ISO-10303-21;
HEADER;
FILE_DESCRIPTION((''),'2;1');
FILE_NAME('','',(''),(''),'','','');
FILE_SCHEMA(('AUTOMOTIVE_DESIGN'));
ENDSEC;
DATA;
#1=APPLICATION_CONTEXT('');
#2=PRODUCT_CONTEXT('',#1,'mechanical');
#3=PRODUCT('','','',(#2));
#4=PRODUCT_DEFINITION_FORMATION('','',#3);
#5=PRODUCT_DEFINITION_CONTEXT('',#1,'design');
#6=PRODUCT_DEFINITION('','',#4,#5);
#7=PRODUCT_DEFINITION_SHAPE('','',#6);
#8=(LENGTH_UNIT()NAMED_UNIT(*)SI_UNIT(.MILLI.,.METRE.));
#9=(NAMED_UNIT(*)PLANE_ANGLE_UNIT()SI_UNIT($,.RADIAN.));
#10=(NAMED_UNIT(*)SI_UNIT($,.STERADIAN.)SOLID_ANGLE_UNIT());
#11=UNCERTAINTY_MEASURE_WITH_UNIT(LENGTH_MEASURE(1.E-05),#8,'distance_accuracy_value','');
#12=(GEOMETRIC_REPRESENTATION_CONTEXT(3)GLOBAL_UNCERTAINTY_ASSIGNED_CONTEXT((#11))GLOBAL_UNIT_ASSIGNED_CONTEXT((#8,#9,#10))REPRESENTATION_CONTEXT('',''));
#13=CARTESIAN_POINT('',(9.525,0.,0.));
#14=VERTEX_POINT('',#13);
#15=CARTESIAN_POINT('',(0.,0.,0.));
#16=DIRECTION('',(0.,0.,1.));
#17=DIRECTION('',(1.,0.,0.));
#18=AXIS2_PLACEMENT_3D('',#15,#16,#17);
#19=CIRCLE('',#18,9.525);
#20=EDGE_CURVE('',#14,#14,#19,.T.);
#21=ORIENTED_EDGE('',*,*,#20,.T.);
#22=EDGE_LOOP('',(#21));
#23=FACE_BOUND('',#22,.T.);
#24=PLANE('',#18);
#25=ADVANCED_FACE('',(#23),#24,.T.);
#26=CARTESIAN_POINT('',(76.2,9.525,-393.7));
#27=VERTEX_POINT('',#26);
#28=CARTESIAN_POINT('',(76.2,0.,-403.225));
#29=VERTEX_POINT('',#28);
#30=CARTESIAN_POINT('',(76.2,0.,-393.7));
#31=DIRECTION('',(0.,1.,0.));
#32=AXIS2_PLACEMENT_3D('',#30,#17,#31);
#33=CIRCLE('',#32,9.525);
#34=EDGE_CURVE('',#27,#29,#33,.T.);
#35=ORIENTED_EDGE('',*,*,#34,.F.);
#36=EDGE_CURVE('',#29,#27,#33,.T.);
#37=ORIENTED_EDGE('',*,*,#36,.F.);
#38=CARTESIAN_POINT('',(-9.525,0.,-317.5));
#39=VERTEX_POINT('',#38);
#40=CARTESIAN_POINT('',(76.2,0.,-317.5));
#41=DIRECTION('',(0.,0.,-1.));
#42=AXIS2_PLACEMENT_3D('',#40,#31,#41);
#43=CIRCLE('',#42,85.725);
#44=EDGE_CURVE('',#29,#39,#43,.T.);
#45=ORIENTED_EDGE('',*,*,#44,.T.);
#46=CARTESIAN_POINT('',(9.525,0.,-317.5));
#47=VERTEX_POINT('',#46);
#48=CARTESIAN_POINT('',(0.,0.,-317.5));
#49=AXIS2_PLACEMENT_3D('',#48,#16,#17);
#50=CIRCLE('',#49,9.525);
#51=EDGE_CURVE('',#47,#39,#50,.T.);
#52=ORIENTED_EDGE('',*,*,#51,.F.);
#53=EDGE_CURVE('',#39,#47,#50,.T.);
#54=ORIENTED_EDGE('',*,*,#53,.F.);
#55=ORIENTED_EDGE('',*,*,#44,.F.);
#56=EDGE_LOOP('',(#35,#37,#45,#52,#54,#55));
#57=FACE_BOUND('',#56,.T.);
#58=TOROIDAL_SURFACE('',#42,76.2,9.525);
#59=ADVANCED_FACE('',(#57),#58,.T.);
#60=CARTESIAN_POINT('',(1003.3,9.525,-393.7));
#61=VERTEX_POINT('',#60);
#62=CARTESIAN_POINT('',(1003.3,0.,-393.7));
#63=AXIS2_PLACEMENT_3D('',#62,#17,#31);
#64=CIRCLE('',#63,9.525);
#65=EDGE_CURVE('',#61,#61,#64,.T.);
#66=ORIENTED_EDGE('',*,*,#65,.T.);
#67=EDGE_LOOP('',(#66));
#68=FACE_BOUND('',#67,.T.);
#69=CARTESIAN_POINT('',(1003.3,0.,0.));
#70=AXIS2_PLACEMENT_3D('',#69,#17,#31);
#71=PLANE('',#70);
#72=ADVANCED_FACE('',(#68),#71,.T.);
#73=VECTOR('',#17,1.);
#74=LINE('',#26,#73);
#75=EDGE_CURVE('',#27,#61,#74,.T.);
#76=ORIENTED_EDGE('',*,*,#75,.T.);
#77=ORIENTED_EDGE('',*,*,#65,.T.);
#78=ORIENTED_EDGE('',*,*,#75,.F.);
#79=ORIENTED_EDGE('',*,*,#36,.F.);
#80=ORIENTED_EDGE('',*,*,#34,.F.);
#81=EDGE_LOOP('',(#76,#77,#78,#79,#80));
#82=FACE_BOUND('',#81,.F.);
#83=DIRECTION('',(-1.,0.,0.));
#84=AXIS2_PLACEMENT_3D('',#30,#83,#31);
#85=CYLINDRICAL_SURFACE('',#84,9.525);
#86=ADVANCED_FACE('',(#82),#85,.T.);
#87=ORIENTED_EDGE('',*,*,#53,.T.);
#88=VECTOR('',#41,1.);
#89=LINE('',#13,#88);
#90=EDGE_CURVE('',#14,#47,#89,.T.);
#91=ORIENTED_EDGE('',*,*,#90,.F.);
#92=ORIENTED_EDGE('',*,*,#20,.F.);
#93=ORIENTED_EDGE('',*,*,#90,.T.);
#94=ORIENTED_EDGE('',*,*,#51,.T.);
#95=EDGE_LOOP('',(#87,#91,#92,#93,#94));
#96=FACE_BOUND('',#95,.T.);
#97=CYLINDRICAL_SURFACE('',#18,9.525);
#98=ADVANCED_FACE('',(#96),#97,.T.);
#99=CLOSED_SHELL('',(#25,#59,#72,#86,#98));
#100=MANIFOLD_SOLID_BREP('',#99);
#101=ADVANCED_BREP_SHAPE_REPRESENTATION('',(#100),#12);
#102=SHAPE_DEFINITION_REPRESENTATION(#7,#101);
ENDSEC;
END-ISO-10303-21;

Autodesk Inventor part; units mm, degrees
ref_plane "XZ Plane" through (0, 0, 0) normal (0, 1, 0) x (-1, 0, 0)
ref_plane "XY Plane" through (0, 0, 0) normal (0, 0, 1) x (1, 0, 0)
sketch "Sketch2" plane through (0, 0, 0) normal (0, 0, 1) x (1, 0, 0)
  circle A0 centre (0, 0) radius 9.525
  dimension "d3" = 19.05
extrude "Extrusion2" add sketch "Sketch2" against normal blind 317.5
ref_plane "Work Plane1" through (76.2, 0, 0) normal (1, 0, 0) x (0, 1, 0)
sketch "Sketch9" plane through (76.2, 0, 0) normal (1, 0, 0) x (0, 1, 0)
  line L0 (-9.525, -317.5) -> (9.525, -317.5) projected
  circle A0 centre (0, -393.7) radius 9.525
  line L1 (0, -317.5) -> (0, -393.7) construction
  point P0 (0, 0)
  dimension "d17" = 19.05
  dimension "d18" = 76.2
extrude "Extrusion4" add sketch "Sketch9" along normal blind 927.1
sketch "Sketch11" plane through (0, 0, -317.5) normal (0, 0, -1) x (-1, 0, 0)
  circle A0 centre (0, 0) radius 9.525 projected
sketch "Sketch12" plane through (0, 0, 0) normal (0, 1, 0) x (-1, 0, 0)
  line L0 (-76.2, -403.225) -> (-76.2, -384.175) projected
  line L1 (-9.525, -317.5) -> (9.525, -317.5) projected
  arc A0 (-76.2, -393.7) -> (0, -317.5) centre (-76.2, -317.5) ccw
  point P0 (0, 0)
  dimension "d21" = 76.2
sweep "Sweep2" add profiles "Sketch11" path "Sketch12" path curves A0
equation "\"d3\" = tubeD"
equation "\"d17\" = tubeD"
equation "\"d18\" = tubeTurnR"
equation "\"d21\" = tubeTurnR"
equation "\"d4\" = tubeTurnR"
equation "\"wallThick\" = 44.45"
equation "\"roomWidth\" = 3048"
equation "\"roomDepth\" = 3657.6"
equation "\"roomHeight\" = 2438.4"
equation "\"doorWidth\" = 895.35"
equation "\"doorHeight\" = 2108.2"
equation "\"doorX\" = 774.7"
equation "\"doorY\" = 88.9"
equation "\"doorLip\" = 76.2"
equation "\"doorThick\" = 57.15"
equation "\"tubeTurnR\" = 76.2"
equation "\"tubeD\" = 19.05"
properties part number "left_tube_0"
